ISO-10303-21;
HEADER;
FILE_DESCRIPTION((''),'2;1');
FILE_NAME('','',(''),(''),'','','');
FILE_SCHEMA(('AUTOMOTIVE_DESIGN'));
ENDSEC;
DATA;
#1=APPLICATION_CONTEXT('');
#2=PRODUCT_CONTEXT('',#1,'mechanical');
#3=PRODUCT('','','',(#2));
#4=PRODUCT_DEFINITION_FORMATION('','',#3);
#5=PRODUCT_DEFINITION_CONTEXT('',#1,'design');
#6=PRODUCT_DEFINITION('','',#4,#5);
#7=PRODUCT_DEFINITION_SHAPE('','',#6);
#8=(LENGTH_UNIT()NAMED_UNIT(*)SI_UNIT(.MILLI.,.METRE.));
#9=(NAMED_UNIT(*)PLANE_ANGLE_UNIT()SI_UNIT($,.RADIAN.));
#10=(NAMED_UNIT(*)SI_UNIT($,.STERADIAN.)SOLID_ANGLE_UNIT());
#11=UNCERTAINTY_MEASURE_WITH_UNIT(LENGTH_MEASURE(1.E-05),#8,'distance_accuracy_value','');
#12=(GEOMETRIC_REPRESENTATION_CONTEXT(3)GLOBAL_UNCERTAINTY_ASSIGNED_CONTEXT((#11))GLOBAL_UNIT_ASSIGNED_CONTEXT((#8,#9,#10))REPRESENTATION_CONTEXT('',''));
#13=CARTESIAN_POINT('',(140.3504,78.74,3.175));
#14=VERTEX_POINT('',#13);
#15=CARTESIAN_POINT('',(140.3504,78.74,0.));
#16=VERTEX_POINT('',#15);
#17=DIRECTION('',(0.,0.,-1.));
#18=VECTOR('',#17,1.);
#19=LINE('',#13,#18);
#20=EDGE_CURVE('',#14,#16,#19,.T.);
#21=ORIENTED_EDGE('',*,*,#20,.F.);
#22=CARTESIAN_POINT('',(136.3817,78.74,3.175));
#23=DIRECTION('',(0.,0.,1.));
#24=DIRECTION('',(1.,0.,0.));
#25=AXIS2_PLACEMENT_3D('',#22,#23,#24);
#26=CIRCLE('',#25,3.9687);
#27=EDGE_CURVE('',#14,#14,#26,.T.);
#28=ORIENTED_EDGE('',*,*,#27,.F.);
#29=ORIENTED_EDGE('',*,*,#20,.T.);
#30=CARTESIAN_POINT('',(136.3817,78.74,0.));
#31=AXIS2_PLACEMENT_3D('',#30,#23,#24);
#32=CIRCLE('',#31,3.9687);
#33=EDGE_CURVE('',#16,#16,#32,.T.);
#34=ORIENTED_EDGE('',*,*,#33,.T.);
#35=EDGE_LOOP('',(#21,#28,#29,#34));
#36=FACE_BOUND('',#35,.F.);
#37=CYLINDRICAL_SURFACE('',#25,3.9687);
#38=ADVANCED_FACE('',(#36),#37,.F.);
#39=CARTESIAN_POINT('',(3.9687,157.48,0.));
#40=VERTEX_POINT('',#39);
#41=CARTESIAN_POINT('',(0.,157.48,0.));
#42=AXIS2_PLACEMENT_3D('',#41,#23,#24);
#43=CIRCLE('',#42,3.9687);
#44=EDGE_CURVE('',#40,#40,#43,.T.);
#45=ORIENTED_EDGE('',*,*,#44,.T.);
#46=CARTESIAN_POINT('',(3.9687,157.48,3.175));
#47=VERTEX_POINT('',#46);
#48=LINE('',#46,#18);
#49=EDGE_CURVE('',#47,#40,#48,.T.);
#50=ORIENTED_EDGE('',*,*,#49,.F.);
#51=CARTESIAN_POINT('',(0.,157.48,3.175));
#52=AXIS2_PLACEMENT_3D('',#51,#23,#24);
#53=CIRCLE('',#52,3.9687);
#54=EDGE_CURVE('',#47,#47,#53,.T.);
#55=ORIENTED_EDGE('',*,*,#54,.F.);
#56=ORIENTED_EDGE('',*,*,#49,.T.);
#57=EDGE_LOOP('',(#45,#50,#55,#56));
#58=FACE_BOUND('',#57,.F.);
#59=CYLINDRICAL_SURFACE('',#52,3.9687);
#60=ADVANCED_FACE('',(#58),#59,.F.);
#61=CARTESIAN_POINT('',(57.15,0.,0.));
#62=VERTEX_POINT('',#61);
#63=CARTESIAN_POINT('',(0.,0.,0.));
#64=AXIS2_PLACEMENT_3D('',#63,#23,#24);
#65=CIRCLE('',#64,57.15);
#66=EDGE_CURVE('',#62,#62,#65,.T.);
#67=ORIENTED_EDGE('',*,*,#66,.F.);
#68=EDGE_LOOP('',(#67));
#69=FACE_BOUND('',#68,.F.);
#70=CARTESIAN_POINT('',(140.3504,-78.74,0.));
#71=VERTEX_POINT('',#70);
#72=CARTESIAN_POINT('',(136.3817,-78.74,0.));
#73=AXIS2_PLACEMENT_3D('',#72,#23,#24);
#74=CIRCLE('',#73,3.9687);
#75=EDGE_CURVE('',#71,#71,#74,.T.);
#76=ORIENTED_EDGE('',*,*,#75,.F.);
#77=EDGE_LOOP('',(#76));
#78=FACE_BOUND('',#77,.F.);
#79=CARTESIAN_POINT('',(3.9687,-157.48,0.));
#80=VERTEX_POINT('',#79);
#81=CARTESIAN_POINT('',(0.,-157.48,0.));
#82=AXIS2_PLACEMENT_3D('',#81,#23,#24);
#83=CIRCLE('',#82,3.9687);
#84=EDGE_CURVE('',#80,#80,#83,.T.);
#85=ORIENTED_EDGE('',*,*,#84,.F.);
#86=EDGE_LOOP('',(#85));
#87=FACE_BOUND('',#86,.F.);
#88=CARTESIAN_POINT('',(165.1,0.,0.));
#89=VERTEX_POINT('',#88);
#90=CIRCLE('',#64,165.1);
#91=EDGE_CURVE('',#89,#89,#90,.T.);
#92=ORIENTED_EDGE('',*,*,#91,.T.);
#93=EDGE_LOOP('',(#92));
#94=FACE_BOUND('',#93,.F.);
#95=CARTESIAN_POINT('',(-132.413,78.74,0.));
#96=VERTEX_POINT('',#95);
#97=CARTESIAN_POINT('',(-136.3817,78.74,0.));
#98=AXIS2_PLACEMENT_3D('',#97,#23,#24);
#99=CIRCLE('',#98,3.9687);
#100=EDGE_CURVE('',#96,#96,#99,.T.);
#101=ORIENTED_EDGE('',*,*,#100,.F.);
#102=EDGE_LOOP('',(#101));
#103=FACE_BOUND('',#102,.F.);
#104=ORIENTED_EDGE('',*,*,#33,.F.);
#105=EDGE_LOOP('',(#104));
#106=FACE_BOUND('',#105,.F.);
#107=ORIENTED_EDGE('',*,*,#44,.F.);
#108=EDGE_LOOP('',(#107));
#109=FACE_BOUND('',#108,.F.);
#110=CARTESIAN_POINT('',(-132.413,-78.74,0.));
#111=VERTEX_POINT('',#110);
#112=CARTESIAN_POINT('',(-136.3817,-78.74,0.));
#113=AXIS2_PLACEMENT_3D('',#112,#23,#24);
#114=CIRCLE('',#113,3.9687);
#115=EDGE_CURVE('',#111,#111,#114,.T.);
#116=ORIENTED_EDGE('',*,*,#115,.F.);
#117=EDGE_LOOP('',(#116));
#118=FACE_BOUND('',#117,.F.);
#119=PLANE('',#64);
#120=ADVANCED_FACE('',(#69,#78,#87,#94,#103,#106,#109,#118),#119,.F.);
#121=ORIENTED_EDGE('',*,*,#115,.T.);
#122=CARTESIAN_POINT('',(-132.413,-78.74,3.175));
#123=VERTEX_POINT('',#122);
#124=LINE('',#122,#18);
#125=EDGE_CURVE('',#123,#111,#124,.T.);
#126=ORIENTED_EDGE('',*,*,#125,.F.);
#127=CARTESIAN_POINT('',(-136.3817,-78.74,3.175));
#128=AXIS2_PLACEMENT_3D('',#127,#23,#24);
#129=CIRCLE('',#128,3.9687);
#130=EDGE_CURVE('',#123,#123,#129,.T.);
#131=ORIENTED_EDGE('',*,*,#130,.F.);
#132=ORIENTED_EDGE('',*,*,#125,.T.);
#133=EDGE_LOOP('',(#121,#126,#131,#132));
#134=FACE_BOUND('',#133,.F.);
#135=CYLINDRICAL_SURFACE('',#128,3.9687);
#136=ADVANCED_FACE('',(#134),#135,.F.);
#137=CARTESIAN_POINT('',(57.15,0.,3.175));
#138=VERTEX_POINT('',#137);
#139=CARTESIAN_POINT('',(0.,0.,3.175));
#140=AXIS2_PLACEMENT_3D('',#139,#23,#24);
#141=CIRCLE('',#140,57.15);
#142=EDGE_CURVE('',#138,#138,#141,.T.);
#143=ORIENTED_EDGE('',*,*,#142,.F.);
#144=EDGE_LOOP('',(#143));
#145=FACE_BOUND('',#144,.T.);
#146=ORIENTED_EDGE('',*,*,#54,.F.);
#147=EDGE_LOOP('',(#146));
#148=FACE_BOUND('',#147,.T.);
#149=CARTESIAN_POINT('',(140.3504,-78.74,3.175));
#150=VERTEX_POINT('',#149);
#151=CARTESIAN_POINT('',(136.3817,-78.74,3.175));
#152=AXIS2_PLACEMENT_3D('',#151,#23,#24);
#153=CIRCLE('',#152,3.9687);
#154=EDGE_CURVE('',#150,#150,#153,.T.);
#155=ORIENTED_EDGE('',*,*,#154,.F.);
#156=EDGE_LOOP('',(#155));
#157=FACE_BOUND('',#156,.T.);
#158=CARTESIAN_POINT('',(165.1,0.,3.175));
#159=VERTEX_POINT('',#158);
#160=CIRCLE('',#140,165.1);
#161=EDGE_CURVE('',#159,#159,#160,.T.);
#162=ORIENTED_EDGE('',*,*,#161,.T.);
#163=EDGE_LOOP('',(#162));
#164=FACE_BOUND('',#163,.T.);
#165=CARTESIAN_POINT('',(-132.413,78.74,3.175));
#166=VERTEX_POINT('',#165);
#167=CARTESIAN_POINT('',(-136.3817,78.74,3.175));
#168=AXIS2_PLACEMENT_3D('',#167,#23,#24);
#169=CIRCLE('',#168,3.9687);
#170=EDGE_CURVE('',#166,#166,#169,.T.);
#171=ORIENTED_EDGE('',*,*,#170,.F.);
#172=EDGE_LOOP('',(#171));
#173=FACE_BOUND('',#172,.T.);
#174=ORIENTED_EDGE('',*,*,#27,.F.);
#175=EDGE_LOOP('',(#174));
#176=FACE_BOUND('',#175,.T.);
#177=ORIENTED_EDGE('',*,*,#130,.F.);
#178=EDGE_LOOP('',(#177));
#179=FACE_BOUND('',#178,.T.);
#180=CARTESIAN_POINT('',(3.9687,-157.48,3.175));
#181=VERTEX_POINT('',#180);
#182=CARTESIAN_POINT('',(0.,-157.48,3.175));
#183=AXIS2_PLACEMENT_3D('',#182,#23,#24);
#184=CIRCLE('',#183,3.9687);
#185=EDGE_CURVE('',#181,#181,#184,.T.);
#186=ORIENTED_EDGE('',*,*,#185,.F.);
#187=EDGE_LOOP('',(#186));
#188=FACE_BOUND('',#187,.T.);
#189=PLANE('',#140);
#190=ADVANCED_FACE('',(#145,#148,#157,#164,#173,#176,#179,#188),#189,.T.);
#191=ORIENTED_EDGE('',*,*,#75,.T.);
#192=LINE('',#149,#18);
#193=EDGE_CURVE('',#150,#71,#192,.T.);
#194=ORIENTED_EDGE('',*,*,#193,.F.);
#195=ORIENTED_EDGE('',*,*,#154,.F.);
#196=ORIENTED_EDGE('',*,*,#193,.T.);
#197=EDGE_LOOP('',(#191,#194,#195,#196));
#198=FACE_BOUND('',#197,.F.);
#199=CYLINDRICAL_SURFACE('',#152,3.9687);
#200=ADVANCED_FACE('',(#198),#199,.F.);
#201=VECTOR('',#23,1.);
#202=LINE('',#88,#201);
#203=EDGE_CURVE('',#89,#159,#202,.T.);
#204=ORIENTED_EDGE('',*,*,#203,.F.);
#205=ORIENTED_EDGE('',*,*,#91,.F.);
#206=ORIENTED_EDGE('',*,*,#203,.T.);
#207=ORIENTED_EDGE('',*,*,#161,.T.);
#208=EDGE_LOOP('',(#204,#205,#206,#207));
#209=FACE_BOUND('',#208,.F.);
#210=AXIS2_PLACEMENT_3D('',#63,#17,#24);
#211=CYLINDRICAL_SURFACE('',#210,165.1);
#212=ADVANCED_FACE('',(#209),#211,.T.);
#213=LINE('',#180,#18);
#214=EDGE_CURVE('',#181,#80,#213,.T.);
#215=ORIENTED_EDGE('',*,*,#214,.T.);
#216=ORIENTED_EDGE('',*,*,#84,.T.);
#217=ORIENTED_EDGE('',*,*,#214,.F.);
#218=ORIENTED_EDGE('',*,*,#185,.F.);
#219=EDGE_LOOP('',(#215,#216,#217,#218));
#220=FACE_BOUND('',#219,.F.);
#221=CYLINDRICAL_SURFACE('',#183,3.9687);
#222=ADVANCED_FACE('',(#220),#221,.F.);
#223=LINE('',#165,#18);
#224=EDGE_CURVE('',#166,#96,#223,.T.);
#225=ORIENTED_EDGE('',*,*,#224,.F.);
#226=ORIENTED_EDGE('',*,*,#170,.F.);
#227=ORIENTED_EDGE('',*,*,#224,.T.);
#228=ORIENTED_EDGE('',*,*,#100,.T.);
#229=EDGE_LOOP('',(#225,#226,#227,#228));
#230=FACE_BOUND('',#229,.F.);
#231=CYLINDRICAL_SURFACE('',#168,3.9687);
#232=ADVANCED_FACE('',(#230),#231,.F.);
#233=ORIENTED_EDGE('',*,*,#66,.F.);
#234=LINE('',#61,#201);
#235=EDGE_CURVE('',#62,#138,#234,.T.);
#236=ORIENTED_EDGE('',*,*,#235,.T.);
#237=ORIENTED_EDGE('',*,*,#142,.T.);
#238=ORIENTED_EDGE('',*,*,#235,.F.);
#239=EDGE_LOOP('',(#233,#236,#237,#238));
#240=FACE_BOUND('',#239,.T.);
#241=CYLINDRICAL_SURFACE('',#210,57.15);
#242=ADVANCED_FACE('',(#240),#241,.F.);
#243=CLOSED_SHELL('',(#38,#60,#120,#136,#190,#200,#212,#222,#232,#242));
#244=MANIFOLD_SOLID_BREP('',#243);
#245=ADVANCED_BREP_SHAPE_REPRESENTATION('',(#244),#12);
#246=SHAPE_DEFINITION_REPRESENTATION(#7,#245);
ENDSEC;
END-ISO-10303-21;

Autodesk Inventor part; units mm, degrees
ref_plane "YZ Plane" through (0, 0, 0) normal (1, 0, 0) x (0, 1, 0)
ref_plane "XZ Plane" through (0, 0, 0) normal (0, 1, 0) x (-1, 0, 0)
ref_plane "XY Plane" through (0, 0, 0) normal (0, 0, 1) x (1, 0, 0)
sketch "Sketch1" plane through (0, 0, 0) normal (0, 0, 1) x (1, 0, 0)
  circle A0 centre (0, 0) radius 165.1
  circle A1 centre (0, 0) radius 57.15
  dimension "d0" = 330.2
  dimension "d3" = 114.3
extrude "Extrusion2" add sketch "Sketch1" along normal blind 3.175
sketch "Sketch2" plane through (0, 0, 3.175) normal (0, 0, 1) x (1, 0, 0)
  point P0 (0, 0)
sketch "Sketch3" plane through (0, 0, 3.175) normal (0, 0, 1) x (1, 0, 0)
  circle A0 centre (0, 0) radius 157.48 construction
  circle A1 centre (0, 157.48) radius 3.9687
  circle A2 centre (-136.3817, 78.74) radius 3.9687
  circle A3 centre (-136.3817, -78.74) radius 3.9687
  circle A4 centre (0, -157.48) radius 3.9687
  circle A5 centre (136.3817, -78.74) radius 3.9687
  circle A6 centre (136.3817, 78.74) radius 3.9687
  dimension "d6" = 314.96
  dimension "d7" = 7.9375
  dimension "d10" = 360
extrude "Extrusion3" cut sketch "Sketch3" against normal through all
properties part number "Base Plate"
